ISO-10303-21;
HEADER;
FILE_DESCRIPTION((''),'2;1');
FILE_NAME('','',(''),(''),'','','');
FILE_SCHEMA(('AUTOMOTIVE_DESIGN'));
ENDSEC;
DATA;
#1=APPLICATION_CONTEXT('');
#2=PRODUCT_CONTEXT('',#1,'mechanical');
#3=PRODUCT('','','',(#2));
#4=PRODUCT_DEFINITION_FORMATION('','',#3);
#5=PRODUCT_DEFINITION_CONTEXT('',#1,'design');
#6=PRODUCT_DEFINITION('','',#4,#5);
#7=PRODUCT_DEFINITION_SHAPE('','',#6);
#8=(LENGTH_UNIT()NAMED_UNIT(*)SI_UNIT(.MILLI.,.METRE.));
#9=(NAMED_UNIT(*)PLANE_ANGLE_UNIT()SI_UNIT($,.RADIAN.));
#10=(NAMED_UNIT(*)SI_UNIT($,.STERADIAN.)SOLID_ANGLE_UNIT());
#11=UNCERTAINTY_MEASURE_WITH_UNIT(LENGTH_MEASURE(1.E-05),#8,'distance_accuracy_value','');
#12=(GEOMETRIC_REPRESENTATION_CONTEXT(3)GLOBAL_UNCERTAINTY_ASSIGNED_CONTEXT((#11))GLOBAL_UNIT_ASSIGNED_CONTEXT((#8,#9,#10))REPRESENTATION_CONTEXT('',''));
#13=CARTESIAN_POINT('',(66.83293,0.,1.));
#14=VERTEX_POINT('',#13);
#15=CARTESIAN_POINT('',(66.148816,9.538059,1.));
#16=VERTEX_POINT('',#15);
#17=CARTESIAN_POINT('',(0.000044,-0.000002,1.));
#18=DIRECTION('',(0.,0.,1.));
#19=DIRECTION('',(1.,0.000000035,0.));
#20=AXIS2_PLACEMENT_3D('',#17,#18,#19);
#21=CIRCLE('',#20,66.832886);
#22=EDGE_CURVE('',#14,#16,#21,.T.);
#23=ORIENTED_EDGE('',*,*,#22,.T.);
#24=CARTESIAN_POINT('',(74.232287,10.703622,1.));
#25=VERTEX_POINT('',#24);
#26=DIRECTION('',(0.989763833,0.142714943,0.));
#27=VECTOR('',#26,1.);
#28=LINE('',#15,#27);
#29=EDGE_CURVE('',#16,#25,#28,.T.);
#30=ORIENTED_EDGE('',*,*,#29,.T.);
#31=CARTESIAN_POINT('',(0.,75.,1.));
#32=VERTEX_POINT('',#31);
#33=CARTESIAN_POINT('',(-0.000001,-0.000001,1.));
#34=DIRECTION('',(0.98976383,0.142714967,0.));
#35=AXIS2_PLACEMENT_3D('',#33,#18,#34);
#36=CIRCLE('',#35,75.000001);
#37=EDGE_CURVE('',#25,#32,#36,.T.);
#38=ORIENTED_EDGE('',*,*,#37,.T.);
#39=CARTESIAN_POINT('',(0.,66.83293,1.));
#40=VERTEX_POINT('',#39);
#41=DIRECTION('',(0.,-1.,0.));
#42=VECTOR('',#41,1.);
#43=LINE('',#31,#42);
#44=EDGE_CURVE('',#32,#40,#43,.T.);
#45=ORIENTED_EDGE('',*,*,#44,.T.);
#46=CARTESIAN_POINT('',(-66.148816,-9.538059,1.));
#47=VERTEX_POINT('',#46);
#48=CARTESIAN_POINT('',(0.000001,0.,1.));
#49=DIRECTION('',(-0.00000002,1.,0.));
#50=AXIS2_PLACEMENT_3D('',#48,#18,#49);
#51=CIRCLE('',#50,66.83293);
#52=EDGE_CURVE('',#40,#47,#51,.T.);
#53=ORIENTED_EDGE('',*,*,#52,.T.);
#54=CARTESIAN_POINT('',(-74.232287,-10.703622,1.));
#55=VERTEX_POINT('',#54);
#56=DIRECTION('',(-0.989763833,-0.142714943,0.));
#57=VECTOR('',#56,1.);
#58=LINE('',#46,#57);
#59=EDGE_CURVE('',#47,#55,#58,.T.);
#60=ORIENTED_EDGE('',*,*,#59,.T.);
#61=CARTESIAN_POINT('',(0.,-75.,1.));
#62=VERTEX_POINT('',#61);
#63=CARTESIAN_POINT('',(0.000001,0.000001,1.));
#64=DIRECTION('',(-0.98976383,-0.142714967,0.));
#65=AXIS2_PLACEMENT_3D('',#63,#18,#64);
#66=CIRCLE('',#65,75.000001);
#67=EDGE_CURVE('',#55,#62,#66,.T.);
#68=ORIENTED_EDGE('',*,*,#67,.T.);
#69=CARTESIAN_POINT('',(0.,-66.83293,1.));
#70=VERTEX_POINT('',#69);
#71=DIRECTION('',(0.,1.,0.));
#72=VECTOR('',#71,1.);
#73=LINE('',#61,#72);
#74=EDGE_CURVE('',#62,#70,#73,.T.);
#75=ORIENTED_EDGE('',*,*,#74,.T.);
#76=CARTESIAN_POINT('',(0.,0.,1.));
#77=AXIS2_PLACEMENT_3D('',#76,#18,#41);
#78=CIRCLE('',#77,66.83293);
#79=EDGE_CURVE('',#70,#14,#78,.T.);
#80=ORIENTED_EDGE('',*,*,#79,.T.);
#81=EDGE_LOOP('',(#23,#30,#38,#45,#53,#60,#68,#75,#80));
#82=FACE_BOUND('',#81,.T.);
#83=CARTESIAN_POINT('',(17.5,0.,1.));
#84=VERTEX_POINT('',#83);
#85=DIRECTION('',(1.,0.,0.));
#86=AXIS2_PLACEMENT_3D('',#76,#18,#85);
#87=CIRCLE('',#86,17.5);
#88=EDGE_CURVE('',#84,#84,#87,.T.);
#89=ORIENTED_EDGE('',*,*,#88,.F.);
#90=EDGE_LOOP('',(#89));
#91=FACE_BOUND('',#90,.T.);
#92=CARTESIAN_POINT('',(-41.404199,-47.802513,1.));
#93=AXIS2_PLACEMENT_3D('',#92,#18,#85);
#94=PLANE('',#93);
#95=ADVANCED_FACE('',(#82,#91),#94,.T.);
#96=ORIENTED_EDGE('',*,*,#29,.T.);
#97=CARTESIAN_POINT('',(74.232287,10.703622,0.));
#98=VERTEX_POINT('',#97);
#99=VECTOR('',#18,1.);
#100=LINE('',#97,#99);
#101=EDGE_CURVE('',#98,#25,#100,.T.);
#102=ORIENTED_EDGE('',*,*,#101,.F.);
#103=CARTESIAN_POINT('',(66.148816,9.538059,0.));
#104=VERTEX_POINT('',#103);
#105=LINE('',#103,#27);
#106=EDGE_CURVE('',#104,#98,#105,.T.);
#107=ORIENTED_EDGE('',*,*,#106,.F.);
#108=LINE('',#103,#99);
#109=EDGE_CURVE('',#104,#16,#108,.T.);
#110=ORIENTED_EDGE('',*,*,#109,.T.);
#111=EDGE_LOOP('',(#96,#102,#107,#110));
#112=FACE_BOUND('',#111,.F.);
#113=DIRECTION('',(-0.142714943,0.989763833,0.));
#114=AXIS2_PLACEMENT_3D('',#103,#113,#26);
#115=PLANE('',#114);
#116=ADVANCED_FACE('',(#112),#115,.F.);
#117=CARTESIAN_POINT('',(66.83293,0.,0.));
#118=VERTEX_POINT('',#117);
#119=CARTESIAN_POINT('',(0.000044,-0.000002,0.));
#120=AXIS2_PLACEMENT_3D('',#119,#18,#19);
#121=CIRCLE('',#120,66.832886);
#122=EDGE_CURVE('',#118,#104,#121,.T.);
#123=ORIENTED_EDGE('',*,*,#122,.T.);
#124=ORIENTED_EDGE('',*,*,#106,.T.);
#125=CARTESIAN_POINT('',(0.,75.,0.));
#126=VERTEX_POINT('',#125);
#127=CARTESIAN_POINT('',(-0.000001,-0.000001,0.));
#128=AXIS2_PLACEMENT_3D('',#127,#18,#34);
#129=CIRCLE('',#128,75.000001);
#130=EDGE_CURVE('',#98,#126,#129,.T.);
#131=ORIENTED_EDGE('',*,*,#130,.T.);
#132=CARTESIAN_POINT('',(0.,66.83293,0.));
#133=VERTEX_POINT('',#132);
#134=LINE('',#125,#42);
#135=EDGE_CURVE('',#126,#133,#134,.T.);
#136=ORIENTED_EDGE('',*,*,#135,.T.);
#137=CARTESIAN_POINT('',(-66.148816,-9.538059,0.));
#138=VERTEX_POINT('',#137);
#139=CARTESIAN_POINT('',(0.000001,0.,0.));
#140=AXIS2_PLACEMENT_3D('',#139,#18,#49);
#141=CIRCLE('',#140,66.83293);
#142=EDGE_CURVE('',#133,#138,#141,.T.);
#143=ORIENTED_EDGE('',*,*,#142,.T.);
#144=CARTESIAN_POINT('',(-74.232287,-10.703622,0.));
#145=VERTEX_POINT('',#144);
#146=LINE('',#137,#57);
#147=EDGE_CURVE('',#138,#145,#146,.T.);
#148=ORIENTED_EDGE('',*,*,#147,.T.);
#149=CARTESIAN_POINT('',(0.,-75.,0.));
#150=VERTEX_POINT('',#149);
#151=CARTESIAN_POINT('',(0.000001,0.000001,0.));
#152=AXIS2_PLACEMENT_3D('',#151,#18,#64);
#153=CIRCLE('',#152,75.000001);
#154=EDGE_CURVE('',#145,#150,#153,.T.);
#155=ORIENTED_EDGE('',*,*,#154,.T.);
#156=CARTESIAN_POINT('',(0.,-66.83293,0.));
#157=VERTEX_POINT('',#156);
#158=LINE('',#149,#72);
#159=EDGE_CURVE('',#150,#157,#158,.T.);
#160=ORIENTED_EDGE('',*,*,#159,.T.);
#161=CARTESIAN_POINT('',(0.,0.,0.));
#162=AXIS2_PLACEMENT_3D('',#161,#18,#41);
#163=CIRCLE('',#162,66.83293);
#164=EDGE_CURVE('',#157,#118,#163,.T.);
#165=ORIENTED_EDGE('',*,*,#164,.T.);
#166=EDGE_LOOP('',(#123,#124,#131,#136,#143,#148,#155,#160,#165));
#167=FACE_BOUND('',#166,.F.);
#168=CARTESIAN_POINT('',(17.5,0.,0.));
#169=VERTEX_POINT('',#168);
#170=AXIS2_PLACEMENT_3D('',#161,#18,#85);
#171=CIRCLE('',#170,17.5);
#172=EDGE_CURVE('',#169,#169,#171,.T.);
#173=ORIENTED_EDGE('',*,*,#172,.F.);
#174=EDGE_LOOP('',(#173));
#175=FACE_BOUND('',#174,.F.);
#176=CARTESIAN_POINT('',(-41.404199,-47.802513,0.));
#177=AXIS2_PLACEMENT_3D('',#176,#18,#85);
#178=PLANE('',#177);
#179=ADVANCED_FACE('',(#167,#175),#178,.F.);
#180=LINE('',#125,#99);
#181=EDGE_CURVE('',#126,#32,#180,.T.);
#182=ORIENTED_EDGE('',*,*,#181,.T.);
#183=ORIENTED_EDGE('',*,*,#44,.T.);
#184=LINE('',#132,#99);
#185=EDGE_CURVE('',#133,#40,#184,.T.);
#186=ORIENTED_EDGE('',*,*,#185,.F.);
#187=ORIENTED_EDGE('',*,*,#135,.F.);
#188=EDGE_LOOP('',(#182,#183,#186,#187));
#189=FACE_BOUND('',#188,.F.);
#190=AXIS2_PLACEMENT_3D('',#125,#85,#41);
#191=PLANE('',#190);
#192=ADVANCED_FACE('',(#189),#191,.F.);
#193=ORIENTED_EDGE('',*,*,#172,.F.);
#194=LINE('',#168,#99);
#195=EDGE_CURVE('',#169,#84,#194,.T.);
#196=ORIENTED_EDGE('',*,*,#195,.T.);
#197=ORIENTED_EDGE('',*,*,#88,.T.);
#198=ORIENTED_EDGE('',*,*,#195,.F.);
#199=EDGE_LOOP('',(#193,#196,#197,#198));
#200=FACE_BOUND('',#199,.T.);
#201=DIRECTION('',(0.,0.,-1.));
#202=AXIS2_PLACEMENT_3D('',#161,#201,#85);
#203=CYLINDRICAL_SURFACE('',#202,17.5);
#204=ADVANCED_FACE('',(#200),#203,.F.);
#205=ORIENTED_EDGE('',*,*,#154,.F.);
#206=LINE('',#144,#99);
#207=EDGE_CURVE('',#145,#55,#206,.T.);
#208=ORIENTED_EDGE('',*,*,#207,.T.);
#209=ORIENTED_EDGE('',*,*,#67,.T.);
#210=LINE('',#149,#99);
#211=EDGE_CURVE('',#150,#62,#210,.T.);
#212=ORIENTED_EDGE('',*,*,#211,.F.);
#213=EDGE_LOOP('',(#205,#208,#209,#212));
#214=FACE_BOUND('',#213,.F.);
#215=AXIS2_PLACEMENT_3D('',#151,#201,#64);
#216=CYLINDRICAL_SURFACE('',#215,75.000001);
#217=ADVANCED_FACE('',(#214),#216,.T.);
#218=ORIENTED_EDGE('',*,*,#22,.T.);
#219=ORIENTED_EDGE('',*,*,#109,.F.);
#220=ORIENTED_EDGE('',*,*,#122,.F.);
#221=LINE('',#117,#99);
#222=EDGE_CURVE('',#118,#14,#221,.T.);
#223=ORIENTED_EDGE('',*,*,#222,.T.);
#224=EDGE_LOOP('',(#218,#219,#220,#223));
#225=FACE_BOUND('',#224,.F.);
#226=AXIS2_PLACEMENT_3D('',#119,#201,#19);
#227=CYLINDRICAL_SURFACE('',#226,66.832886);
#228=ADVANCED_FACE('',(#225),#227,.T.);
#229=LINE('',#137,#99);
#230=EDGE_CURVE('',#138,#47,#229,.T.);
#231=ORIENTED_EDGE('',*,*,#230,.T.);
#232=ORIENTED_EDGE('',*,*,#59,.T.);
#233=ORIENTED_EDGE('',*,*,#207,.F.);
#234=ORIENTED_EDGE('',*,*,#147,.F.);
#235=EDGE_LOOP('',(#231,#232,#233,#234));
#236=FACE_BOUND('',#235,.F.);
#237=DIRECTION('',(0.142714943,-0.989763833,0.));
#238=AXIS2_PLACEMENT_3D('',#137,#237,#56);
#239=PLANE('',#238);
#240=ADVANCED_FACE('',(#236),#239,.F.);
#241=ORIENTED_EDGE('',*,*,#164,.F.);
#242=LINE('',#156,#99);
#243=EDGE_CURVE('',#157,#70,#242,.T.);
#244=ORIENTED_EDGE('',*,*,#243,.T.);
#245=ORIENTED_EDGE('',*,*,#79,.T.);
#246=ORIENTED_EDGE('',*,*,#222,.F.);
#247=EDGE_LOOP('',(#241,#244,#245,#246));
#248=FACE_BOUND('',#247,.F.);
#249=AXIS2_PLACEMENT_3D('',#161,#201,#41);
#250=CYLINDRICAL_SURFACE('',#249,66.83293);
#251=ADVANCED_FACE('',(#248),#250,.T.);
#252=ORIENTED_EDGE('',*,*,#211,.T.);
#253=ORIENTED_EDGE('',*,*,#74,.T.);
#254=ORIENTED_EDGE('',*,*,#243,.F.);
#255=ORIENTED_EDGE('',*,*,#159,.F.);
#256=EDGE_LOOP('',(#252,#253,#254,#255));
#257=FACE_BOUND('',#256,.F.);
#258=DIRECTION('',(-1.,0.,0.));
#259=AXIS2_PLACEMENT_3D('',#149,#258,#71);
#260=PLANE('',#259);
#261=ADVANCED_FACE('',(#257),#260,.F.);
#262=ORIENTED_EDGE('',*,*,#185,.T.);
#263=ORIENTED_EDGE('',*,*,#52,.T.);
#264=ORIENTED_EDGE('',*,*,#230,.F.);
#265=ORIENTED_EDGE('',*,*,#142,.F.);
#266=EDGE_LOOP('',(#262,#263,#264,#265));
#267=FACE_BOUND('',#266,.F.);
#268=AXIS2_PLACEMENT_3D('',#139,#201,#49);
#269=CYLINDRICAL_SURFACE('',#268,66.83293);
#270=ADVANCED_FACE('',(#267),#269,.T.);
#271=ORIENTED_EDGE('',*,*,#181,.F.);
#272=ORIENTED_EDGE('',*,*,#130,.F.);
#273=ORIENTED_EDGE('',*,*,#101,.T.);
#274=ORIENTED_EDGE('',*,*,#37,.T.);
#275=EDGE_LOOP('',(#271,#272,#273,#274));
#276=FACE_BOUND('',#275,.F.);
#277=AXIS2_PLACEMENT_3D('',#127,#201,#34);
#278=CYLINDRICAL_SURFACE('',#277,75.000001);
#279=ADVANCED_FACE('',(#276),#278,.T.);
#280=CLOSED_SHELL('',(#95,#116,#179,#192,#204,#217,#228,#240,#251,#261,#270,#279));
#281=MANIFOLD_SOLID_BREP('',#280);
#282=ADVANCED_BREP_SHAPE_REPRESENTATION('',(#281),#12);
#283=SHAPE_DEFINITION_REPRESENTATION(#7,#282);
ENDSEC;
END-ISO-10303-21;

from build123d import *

# Parameters (mm, degrees)
F0_R     = 17.5
F1_DEPTH = 1


with BuildPart() as f1:
    # F0 (on Top) → F1 (new body)
    with BuildSketch(Plane.XY):
        with BuildLine():
            ThreePointArc((-74.232287, -10.703622), (-49.103097, -56.691144), (0, -75))
            Line((0, -75), (0, -66.83293))
            ThreePointArc((0, -66.83293), (-43.756051, -50.517803), (-66.148816, -9.538059))
            Line((-66.148816, -9.538059), (-74.232287, -10.703622))
        make_face()
        with BuildLine():
            Line((66.148816, 9.538059), (74.232287, 10.703622))
            ThreePointArc((74.232287, 10.703622), (49.103097, 56.691144), (0, 75))
            Line((0, 75), (0, 66.83293))
            ThreePointArc((0, 66.83293), (43.756051, 50.517803), (66.148816, 9.538059))
        make_face()
        with BuildLine():
            ThreePointArc((66.83293, 0), (66.661682, 4.781281), (66.148816, 9.538059))
            ThreePointArc((66.148816, 9.538059), (43.756051, 50.517803), (0, 66.83293))
            ThreePointArc((0, 66.83293), (-50.517803, 43.756051), (-66.148816, -9.538059))
            ThreePointArc((-66.148816, -9.538059), (-43.756051, -50.517803), (0, -66.83293))
            ThreePointArc((0, -66.83293), (47.258018, -47.258018), (66.83293, 0))
        make_face()
        Circle(F0_R, mode=Mode.SUBTRACT)
    extrude(amount=F1_DEPTH)


solid = f1.part
